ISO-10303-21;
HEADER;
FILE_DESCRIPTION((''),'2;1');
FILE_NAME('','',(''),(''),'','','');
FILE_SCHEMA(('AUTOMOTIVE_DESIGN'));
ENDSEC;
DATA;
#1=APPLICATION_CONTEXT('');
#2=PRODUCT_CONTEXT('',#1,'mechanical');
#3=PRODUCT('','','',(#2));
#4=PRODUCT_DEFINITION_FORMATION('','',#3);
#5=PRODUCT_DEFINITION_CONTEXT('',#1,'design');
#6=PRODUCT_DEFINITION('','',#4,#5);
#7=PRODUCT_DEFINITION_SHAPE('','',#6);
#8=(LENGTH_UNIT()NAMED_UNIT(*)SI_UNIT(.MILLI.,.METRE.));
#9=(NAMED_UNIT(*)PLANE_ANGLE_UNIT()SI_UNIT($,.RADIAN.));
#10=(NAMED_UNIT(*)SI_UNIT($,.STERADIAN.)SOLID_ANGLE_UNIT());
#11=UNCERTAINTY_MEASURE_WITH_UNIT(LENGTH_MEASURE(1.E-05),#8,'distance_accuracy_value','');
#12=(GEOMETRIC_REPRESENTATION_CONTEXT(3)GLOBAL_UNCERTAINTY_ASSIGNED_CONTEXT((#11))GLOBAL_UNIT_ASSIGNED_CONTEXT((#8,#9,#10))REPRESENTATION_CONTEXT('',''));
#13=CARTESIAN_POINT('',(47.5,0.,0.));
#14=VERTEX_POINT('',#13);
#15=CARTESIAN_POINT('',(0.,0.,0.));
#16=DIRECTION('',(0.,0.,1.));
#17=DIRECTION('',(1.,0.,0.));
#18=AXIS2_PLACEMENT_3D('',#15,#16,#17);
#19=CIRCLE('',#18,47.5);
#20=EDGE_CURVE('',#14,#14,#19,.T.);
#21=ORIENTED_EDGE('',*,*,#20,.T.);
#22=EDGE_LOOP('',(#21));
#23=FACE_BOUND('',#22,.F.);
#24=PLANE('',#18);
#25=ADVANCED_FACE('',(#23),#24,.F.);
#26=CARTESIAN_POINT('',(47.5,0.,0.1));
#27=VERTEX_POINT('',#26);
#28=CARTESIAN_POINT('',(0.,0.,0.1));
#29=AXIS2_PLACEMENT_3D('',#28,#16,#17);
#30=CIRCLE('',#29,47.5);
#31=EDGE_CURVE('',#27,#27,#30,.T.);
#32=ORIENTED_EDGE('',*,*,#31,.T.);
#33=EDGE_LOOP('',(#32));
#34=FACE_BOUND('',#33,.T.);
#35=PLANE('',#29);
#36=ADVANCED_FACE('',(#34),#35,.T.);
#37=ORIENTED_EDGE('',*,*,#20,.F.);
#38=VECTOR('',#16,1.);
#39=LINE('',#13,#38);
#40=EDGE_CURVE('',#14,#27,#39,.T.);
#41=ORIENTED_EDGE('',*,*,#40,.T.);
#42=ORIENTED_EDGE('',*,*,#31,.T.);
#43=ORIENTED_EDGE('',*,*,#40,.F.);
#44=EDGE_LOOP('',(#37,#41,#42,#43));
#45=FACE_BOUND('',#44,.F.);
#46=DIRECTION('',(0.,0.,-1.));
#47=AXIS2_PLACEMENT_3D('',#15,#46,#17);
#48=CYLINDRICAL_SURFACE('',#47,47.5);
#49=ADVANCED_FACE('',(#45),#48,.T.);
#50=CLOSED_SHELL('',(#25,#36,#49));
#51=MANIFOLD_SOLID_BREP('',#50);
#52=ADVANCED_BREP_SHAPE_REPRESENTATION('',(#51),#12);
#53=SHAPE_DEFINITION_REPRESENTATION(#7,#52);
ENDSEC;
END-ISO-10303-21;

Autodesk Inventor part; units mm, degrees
ref_plane "YZ Plane" through (0, 0, 0) normal (1, 0, 0) x (0, 1, 0)
ref_plane "XZ Plane" through (0, 0, 0) normal (0, 1, 0) x (-1, 0, 0)
ref_plane "XY Plane" through (0, 0, 0) normal (0, 0, 1) x (1, 0, 0)
sketch "Sketch1" plane through (0, 0, 0) normal (0, 0, 1) x (1, 0, 0)
  circle A0 centre (0, 0) radius 47.5
  dimension "d0" = 95
extrude "Extrusion1" add sketch "Sketch1" along normal blind 0.1
properties part number "Exp1_extramass" material "Aluminum 6061"
